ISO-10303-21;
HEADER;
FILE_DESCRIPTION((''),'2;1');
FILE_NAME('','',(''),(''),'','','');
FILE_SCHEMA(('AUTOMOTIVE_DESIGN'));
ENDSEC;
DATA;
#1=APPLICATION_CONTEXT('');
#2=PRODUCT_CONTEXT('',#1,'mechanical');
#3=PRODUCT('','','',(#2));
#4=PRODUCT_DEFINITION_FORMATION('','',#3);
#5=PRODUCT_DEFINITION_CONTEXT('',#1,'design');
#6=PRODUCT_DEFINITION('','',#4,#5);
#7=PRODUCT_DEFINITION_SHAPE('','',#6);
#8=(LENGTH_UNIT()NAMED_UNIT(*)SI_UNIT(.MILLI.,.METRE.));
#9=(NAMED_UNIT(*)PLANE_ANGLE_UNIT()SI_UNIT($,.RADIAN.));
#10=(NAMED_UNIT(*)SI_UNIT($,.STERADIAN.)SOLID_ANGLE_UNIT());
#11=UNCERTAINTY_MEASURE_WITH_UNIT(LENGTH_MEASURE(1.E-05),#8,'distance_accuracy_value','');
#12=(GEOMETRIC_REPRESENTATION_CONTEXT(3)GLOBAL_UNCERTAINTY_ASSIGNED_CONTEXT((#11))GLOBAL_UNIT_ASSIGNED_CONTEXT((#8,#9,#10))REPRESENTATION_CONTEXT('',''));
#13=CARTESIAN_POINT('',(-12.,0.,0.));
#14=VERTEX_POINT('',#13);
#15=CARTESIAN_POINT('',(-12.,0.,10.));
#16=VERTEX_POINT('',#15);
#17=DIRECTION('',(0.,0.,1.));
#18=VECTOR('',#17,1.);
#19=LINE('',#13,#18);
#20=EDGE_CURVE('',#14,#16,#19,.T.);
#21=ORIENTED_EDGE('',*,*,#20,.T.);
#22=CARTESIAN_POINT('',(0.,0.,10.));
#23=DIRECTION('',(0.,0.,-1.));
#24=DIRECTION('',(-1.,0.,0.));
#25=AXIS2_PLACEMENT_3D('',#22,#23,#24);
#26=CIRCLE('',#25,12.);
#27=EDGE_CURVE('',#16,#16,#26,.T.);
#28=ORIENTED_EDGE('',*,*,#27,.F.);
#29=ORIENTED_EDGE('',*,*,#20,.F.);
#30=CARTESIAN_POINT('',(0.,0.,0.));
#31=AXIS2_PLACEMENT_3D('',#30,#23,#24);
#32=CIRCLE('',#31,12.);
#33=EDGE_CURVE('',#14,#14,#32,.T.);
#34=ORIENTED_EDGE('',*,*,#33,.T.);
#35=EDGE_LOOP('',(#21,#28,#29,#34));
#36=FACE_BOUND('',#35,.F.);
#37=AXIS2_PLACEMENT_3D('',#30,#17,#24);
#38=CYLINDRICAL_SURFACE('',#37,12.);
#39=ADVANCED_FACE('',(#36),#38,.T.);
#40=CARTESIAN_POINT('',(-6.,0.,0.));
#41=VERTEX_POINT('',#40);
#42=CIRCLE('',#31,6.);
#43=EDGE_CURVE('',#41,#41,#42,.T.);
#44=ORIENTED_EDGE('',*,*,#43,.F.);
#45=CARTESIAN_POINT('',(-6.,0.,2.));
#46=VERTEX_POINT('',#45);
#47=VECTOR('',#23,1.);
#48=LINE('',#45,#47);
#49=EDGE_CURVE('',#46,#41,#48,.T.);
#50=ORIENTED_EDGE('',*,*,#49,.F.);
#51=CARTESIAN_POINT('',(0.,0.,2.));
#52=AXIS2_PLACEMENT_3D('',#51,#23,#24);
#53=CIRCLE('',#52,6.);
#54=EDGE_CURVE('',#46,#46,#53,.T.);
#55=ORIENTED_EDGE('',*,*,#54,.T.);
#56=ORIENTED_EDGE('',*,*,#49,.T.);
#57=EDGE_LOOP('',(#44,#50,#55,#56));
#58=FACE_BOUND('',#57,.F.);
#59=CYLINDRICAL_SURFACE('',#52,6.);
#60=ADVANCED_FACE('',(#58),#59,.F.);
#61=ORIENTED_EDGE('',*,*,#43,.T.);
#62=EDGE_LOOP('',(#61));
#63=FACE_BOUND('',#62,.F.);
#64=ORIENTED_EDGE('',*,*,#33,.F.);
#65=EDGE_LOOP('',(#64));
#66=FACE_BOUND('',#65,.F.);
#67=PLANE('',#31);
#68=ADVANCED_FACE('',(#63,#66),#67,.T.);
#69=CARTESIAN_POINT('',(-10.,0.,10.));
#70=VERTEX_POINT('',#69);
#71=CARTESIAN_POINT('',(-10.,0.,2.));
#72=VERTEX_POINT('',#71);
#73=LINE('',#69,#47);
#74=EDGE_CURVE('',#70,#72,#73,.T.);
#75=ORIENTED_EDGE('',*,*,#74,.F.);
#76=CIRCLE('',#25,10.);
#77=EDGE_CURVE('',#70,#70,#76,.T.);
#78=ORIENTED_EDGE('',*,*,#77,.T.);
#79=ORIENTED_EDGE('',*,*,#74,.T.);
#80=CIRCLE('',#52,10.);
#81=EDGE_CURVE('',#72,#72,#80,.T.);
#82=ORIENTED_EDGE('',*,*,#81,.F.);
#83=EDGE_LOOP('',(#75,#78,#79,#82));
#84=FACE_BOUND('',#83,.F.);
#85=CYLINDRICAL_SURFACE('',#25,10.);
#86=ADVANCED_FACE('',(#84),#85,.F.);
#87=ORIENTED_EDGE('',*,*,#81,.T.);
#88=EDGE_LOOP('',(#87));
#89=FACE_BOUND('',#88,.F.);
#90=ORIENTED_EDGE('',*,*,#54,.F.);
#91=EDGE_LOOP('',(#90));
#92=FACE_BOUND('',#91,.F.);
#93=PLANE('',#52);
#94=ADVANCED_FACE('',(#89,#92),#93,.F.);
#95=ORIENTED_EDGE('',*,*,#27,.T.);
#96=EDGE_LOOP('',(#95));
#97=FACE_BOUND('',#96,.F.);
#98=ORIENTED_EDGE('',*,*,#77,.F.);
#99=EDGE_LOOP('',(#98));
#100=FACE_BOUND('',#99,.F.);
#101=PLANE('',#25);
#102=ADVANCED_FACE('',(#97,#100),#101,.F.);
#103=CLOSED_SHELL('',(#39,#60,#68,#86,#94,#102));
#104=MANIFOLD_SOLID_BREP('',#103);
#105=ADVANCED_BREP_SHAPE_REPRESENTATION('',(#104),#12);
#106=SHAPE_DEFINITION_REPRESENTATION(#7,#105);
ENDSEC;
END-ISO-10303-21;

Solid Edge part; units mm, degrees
sketch "Sketch1" plane through (0, 0, 0) normal (0, -1, 0) x (1, 0, 0)
  line L0 (-6, 0) -> (-12, 0)
  line L1 (-12, 0) -> (-12, 10)
  line L2 (-12, 10) -> (-10, 10)
  line L3 (-10, 10) -> (-10, 2)
  line L4 (-10, 2) -> (-6, 2)
  line L5 (-6, 2) -> (-6, 0)
  dimension "D1" = 6
  dimension "D2" = 12
  dimension "D3" = 2
  dimension "D4" = 2
  dimension "D5" = 10
revolve "RevolvedProtrusion1" add sketch "Sketch1" angle 360 about axis through (0, 0, 54) along (0, 0, -1)
properties material "Bronze, 90%"
